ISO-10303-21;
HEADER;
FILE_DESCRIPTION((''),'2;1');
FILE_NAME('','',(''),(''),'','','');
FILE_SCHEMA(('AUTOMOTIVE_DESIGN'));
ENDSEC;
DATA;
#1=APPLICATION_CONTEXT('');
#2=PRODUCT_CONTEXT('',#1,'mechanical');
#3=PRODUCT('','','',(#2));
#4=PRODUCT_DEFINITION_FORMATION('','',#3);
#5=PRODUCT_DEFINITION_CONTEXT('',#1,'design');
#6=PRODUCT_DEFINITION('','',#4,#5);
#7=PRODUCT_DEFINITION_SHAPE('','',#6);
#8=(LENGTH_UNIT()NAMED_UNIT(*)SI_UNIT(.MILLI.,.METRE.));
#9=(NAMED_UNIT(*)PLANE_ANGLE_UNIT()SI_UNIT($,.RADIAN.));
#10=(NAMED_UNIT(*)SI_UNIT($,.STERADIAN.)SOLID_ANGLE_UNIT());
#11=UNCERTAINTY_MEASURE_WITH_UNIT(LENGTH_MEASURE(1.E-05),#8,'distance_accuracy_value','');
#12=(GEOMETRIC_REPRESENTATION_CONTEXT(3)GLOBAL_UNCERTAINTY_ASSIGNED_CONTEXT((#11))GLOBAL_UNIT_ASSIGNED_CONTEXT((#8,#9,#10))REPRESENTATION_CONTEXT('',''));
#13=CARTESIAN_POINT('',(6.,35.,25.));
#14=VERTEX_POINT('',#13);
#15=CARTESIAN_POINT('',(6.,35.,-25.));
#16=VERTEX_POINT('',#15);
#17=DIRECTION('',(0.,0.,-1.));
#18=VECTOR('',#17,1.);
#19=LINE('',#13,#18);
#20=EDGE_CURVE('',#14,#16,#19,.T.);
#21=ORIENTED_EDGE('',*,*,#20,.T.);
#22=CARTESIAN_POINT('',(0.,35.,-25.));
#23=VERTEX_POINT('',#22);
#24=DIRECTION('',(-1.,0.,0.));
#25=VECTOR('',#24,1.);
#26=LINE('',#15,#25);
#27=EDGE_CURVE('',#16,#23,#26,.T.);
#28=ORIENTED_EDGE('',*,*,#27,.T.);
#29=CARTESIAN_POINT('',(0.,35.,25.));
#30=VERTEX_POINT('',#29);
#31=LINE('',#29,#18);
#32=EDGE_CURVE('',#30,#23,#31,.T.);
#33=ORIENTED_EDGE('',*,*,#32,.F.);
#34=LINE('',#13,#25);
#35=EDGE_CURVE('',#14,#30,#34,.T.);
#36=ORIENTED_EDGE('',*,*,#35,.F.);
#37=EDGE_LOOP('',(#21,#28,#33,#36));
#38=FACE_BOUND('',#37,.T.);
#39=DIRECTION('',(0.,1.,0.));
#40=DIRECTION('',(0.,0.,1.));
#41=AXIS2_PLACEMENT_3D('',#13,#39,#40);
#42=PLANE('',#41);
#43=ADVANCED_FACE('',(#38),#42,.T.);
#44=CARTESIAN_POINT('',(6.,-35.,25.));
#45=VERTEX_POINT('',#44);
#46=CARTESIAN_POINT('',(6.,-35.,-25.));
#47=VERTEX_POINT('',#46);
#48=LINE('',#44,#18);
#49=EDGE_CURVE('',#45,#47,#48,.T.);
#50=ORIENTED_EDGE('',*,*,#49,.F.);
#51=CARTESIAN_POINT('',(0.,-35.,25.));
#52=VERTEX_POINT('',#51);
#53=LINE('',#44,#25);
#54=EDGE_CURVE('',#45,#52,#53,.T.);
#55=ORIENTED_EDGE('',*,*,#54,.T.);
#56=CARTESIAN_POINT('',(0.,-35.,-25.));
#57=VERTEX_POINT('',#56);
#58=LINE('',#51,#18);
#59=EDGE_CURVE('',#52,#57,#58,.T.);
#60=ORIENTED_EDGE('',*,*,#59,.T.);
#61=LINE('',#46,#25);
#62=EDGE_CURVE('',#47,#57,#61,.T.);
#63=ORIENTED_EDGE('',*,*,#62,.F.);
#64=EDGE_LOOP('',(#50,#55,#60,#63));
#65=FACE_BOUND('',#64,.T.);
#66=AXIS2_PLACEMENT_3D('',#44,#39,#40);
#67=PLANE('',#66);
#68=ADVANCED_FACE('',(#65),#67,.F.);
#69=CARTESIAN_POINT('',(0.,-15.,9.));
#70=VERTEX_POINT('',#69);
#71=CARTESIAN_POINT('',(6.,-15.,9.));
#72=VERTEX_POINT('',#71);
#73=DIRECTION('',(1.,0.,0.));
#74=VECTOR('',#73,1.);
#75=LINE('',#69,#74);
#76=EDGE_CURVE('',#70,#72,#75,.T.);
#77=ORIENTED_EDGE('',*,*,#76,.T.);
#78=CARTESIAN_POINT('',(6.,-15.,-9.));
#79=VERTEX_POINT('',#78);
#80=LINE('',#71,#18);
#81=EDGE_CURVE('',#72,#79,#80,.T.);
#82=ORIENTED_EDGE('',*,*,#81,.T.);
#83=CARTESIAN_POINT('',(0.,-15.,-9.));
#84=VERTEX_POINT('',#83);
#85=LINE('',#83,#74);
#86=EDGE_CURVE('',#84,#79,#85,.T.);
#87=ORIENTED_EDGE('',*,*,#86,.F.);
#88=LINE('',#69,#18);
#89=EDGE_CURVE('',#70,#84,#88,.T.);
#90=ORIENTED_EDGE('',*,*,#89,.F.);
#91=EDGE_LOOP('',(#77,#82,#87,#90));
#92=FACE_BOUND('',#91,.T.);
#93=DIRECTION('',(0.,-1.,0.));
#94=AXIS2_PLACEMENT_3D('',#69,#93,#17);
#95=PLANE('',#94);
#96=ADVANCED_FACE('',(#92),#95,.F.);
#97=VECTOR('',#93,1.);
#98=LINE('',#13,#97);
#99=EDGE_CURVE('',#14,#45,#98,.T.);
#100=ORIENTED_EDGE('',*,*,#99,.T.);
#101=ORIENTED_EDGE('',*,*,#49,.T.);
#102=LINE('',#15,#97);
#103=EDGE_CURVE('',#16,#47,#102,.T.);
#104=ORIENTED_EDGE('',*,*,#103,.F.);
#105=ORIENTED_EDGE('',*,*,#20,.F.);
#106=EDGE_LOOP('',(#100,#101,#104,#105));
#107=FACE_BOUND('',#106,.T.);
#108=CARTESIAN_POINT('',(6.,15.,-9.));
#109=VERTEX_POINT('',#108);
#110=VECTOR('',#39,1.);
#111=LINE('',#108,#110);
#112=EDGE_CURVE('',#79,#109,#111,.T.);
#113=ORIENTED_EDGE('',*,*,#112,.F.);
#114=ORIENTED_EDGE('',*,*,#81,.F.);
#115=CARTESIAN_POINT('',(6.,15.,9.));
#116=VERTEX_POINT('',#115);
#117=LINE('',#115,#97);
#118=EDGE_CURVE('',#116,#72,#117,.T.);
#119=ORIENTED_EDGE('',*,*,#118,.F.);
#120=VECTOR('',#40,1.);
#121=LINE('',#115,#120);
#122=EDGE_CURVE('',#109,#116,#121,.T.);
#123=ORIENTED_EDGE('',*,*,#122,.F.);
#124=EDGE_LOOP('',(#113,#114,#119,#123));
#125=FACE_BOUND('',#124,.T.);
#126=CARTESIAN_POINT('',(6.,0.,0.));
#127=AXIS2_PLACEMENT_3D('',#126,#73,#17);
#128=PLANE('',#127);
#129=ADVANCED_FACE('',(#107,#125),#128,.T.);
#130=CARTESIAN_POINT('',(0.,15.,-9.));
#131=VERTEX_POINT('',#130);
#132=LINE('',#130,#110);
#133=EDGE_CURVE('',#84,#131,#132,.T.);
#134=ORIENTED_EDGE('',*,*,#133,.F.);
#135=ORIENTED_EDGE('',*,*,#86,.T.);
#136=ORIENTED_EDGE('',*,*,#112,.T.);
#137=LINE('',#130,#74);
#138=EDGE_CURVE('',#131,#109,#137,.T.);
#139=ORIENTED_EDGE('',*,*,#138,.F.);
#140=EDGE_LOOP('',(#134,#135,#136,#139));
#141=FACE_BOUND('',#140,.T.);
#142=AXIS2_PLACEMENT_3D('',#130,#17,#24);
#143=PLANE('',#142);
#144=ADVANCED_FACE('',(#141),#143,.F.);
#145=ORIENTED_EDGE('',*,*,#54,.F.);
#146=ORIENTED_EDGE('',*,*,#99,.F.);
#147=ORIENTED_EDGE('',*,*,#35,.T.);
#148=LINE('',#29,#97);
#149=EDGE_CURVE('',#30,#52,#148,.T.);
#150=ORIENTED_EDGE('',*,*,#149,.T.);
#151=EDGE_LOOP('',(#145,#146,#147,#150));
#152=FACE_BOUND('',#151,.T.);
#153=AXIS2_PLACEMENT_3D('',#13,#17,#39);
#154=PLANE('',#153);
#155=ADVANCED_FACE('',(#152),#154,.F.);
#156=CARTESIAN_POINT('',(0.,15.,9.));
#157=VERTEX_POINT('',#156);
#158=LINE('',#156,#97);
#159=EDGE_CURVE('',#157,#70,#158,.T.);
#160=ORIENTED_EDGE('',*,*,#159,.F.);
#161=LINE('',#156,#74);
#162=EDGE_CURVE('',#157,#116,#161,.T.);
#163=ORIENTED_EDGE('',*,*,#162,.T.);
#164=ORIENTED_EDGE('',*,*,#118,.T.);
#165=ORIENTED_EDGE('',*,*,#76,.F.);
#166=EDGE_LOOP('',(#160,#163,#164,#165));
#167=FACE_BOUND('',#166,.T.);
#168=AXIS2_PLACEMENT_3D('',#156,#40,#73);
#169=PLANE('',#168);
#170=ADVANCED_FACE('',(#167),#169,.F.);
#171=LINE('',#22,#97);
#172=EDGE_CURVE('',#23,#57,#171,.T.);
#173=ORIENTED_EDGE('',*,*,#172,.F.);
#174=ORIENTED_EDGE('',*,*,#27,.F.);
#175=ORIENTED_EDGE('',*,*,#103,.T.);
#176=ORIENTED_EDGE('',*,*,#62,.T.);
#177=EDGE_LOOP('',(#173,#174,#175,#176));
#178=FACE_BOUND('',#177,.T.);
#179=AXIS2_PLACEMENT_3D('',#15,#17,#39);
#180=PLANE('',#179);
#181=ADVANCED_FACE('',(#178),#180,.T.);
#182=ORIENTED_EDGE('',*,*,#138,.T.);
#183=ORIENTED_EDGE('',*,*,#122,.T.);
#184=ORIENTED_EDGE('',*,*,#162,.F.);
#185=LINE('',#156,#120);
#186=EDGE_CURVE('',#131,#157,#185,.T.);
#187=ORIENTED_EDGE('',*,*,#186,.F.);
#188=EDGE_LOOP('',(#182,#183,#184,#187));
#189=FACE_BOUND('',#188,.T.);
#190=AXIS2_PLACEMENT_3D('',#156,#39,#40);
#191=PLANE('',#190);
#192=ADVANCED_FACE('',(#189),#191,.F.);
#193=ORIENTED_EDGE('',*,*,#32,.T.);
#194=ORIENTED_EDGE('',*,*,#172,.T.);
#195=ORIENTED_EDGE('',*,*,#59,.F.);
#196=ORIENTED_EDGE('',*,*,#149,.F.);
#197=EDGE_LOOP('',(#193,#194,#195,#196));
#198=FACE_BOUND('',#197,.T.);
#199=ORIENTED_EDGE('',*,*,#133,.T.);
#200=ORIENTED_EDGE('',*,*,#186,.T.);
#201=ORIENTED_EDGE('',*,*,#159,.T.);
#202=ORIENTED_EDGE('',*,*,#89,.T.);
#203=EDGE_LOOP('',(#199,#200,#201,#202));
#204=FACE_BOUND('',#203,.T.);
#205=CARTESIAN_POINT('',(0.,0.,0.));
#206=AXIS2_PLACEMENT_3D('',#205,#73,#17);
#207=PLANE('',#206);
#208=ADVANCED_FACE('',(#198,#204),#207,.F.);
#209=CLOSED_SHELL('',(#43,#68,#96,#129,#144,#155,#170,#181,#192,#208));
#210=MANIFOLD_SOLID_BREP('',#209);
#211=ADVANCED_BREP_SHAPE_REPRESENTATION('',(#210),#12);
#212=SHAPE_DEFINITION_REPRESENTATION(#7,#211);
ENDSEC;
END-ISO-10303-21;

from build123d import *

# Parameters (mm, degrees)
SKETCH1_W           = 50
SKETCH1_H           = 70
BOSS_EXTRUDE1_DEPTH = 6
SKETCH2_W           = 18
SKETCH2_H           = 30
CUT_EXTRUDE1_DEPTH  = 6


with BuildPart() as part:
    # Sketch1 → Boss-Extrude1 (new body)
    with BuildSketch(Plane(origin=(0, 0, 0), x_dir=(0, 0, -1), z_dir=(1, 0, 0))):
        Rectangle(SKETCH1_W, SKETCH1_H)
    extrude(amount=BOSS_EXTRUDE1_DEPTH)

    # Sketch2 → Cut-Extrude1 (cut)
    with BuildSketch(Plane(origin=(6, 0, 0), x_dir=(0, 0, -1), z_dir=(1, 0, 0))):
        Rectangle(SKETCH2_W, SKETCH2_H)
    extrude(amount=-CUT_EXTRUDE1_DEPTH, mode=Mode.SUBTRACT)


solid = part.part
